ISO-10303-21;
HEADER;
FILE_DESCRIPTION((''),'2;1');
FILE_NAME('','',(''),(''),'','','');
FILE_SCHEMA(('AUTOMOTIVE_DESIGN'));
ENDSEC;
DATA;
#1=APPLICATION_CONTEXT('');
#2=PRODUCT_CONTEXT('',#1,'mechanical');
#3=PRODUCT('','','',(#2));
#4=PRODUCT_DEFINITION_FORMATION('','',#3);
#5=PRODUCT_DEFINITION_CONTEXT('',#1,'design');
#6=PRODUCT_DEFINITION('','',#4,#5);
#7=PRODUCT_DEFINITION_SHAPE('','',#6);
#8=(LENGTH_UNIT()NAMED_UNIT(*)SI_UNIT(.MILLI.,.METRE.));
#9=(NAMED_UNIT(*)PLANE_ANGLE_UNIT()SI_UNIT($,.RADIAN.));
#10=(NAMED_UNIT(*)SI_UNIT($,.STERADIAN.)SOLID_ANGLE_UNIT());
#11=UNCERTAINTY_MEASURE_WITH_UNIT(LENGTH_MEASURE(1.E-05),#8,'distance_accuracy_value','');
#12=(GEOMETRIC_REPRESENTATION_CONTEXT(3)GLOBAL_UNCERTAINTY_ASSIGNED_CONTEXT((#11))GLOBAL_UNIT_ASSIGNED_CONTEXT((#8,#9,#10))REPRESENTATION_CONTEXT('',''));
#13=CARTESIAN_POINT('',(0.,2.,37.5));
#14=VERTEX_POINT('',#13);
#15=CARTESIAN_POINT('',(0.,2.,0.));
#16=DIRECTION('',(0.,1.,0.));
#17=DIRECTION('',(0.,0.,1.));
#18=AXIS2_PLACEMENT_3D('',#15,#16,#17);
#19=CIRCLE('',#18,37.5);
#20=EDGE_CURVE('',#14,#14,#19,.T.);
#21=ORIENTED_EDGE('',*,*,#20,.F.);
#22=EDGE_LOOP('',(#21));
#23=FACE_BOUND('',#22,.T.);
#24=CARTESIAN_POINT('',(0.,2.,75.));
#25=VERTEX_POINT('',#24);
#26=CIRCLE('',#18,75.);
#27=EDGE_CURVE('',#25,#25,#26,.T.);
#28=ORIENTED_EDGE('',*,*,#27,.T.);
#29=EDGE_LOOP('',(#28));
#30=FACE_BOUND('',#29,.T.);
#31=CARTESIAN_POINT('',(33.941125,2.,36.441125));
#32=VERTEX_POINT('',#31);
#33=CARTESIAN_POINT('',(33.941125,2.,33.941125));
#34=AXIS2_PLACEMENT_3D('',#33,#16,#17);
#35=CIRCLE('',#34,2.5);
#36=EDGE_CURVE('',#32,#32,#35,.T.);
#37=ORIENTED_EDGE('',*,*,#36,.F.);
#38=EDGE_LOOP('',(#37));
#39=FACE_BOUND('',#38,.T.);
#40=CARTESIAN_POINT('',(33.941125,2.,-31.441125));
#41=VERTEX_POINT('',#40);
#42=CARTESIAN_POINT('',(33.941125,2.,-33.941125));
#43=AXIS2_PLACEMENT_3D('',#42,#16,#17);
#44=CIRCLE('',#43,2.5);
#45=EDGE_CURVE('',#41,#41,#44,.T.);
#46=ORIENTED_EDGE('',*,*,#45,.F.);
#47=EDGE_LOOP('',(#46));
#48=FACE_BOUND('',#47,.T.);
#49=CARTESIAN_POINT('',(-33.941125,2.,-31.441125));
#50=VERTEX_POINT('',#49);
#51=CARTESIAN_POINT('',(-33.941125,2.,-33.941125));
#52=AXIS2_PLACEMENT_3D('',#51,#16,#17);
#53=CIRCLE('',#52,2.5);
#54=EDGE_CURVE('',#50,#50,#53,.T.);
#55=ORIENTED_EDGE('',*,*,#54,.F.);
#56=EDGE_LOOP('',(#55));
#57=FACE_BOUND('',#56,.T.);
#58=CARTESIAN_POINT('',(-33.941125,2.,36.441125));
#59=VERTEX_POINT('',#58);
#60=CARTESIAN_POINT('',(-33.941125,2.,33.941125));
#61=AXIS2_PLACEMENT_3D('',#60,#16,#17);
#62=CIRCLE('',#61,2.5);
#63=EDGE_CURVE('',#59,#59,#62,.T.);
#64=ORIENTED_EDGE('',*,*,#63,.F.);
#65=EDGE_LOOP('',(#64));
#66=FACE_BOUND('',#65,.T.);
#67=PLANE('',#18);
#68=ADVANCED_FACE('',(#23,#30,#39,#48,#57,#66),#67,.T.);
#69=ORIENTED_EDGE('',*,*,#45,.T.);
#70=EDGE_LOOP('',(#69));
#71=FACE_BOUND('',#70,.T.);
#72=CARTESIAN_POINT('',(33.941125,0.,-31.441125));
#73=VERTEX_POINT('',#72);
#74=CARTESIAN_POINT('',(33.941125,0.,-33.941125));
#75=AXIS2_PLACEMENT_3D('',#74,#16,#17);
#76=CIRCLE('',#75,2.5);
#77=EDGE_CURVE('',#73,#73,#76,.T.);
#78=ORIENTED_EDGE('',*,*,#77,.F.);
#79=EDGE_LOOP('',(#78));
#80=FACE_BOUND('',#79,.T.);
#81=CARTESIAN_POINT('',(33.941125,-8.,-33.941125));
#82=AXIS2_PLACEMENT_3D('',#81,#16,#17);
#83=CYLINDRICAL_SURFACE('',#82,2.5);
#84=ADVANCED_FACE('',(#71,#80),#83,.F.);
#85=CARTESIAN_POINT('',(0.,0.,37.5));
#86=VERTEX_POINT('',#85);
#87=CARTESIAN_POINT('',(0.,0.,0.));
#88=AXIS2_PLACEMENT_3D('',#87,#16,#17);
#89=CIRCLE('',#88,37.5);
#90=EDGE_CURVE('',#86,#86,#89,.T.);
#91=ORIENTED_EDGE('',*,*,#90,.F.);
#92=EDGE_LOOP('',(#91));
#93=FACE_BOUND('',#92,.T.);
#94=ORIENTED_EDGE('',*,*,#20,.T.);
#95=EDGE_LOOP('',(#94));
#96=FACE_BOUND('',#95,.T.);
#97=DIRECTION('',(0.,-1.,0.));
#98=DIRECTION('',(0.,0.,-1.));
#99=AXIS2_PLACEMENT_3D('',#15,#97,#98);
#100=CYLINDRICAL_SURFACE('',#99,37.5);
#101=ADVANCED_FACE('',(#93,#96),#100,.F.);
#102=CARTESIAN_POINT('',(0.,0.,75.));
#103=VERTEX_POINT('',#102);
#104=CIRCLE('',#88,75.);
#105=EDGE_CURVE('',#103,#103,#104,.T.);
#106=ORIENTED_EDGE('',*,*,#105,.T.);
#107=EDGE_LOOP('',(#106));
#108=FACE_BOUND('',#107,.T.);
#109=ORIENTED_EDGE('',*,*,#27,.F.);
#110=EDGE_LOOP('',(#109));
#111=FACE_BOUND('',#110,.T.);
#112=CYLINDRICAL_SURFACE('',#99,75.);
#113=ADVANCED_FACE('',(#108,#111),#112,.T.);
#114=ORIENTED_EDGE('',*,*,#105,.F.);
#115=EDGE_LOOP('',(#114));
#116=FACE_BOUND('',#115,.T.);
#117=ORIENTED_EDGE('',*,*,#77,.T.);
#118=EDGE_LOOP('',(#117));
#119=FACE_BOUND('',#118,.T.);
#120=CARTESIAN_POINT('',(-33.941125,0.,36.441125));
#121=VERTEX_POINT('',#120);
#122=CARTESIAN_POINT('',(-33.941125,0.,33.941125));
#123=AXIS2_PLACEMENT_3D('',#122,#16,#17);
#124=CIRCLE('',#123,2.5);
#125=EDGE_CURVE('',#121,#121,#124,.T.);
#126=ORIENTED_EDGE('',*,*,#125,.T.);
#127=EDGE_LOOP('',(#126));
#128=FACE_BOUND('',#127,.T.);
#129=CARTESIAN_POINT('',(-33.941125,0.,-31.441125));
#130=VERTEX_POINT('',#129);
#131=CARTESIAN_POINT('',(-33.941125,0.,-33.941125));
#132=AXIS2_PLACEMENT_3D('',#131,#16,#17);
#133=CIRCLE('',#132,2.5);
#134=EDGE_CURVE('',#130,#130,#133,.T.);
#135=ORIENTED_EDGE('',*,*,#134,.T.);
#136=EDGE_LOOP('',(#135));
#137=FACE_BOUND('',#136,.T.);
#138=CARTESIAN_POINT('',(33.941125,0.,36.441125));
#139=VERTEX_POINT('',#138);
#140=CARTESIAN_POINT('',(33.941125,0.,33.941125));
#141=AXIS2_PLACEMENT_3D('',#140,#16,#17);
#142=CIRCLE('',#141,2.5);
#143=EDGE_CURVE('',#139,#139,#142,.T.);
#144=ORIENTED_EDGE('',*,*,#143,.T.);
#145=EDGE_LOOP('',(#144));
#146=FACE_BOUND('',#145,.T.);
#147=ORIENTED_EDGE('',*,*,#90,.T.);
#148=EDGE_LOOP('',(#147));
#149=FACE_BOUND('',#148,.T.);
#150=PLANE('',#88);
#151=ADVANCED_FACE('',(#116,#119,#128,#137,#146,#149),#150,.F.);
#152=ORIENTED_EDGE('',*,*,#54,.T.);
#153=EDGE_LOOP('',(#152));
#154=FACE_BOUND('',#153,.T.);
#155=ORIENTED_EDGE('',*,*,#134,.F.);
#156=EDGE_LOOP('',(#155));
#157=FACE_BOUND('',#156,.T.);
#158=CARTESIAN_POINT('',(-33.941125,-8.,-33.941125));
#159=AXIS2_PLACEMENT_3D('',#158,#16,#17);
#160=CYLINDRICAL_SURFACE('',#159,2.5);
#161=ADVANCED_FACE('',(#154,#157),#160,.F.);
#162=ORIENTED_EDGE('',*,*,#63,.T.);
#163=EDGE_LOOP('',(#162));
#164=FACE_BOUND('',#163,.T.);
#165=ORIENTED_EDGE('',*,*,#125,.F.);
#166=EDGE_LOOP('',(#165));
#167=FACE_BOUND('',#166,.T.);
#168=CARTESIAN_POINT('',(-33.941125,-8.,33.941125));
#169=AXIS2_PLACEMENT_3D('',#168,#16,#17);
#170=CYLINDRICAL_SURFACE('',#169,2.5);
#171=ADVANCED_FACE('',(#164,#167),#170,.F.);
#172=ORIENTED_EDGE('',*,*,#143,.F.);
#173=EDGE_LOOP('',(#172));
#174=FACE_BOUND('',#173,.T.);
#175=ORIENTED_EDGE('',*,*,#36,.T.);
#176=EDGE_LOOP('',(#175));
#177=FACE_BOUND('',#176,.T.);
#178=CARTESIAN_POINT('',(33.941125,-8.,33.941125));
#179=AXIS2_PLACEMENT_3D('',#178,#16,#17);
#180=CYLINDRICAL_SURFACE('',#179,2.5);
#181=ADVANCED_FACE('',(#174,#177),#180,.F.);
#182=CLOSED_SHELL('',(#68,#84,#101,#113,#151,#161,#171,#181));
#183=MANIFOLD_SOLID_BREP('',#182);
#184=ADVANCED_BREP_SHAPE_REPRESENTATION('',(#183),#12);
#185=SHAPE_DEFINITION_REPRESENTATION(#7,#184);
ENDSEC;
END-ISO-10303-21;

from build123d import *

# Parameters (mm, degrees)
SKETCH1_R           = 75
SKETCH1_R_2         = 37.5
BOSS_EXTRUDE1_DEPTH = 2
SKETCH2_R           = 2.5
CUT_EXTRUDE1_DEPTH  = 10


with BuildPart() as part:
    # Sketch1 → Boss-Extrude1 (new body)
    with BuildSketch(Plane(origin=(0, 0, 0), x_dir=(1, 0, 0), z_dir=(0, 1, 0))):
        with Locations(Location((0, 0, 0), (0, 0, 270))):
            Circle(SKETCH1_R)
        with Locations(Location((0, 0, 0), (0, 0, 270))):
            Circle(SKETCH1_R_2, mode=Mode.SUBTRACT)
    extrude(amount=BOSS_EXTRUDE1_DEPTH)

    # Sketch2 → Cut-Extrude1 (cut)
    with BuildSketch(Plane(origin=(0, 2, 0), x_dir=(1, 0, 0), z_dir=(0, 1, 0))):
        with Locations(Location((-33.941125497, 33.941125497, 0), (0, 0, 270))):
            Circle(SKETCH2_R)
        with Locations(Location((33.941125497, 33.941125497, 0), (0, 0, 270))):
            Circle(SKETCH2_R)
        with Locations(Location((33.941125497, -33.941125497, 0), (0, 0, 270))):
            Circle(SKETCH2_R)
        with Locations(Location((-33.941125497, -33.941125497, 0), (0, 0, 270))):
            Circle(SKETCH2_R)
    extrude(amount=-CUT_EXTRUDE1_DEPTH, mode=Mode.SUBTRACT)


solid = part.part
